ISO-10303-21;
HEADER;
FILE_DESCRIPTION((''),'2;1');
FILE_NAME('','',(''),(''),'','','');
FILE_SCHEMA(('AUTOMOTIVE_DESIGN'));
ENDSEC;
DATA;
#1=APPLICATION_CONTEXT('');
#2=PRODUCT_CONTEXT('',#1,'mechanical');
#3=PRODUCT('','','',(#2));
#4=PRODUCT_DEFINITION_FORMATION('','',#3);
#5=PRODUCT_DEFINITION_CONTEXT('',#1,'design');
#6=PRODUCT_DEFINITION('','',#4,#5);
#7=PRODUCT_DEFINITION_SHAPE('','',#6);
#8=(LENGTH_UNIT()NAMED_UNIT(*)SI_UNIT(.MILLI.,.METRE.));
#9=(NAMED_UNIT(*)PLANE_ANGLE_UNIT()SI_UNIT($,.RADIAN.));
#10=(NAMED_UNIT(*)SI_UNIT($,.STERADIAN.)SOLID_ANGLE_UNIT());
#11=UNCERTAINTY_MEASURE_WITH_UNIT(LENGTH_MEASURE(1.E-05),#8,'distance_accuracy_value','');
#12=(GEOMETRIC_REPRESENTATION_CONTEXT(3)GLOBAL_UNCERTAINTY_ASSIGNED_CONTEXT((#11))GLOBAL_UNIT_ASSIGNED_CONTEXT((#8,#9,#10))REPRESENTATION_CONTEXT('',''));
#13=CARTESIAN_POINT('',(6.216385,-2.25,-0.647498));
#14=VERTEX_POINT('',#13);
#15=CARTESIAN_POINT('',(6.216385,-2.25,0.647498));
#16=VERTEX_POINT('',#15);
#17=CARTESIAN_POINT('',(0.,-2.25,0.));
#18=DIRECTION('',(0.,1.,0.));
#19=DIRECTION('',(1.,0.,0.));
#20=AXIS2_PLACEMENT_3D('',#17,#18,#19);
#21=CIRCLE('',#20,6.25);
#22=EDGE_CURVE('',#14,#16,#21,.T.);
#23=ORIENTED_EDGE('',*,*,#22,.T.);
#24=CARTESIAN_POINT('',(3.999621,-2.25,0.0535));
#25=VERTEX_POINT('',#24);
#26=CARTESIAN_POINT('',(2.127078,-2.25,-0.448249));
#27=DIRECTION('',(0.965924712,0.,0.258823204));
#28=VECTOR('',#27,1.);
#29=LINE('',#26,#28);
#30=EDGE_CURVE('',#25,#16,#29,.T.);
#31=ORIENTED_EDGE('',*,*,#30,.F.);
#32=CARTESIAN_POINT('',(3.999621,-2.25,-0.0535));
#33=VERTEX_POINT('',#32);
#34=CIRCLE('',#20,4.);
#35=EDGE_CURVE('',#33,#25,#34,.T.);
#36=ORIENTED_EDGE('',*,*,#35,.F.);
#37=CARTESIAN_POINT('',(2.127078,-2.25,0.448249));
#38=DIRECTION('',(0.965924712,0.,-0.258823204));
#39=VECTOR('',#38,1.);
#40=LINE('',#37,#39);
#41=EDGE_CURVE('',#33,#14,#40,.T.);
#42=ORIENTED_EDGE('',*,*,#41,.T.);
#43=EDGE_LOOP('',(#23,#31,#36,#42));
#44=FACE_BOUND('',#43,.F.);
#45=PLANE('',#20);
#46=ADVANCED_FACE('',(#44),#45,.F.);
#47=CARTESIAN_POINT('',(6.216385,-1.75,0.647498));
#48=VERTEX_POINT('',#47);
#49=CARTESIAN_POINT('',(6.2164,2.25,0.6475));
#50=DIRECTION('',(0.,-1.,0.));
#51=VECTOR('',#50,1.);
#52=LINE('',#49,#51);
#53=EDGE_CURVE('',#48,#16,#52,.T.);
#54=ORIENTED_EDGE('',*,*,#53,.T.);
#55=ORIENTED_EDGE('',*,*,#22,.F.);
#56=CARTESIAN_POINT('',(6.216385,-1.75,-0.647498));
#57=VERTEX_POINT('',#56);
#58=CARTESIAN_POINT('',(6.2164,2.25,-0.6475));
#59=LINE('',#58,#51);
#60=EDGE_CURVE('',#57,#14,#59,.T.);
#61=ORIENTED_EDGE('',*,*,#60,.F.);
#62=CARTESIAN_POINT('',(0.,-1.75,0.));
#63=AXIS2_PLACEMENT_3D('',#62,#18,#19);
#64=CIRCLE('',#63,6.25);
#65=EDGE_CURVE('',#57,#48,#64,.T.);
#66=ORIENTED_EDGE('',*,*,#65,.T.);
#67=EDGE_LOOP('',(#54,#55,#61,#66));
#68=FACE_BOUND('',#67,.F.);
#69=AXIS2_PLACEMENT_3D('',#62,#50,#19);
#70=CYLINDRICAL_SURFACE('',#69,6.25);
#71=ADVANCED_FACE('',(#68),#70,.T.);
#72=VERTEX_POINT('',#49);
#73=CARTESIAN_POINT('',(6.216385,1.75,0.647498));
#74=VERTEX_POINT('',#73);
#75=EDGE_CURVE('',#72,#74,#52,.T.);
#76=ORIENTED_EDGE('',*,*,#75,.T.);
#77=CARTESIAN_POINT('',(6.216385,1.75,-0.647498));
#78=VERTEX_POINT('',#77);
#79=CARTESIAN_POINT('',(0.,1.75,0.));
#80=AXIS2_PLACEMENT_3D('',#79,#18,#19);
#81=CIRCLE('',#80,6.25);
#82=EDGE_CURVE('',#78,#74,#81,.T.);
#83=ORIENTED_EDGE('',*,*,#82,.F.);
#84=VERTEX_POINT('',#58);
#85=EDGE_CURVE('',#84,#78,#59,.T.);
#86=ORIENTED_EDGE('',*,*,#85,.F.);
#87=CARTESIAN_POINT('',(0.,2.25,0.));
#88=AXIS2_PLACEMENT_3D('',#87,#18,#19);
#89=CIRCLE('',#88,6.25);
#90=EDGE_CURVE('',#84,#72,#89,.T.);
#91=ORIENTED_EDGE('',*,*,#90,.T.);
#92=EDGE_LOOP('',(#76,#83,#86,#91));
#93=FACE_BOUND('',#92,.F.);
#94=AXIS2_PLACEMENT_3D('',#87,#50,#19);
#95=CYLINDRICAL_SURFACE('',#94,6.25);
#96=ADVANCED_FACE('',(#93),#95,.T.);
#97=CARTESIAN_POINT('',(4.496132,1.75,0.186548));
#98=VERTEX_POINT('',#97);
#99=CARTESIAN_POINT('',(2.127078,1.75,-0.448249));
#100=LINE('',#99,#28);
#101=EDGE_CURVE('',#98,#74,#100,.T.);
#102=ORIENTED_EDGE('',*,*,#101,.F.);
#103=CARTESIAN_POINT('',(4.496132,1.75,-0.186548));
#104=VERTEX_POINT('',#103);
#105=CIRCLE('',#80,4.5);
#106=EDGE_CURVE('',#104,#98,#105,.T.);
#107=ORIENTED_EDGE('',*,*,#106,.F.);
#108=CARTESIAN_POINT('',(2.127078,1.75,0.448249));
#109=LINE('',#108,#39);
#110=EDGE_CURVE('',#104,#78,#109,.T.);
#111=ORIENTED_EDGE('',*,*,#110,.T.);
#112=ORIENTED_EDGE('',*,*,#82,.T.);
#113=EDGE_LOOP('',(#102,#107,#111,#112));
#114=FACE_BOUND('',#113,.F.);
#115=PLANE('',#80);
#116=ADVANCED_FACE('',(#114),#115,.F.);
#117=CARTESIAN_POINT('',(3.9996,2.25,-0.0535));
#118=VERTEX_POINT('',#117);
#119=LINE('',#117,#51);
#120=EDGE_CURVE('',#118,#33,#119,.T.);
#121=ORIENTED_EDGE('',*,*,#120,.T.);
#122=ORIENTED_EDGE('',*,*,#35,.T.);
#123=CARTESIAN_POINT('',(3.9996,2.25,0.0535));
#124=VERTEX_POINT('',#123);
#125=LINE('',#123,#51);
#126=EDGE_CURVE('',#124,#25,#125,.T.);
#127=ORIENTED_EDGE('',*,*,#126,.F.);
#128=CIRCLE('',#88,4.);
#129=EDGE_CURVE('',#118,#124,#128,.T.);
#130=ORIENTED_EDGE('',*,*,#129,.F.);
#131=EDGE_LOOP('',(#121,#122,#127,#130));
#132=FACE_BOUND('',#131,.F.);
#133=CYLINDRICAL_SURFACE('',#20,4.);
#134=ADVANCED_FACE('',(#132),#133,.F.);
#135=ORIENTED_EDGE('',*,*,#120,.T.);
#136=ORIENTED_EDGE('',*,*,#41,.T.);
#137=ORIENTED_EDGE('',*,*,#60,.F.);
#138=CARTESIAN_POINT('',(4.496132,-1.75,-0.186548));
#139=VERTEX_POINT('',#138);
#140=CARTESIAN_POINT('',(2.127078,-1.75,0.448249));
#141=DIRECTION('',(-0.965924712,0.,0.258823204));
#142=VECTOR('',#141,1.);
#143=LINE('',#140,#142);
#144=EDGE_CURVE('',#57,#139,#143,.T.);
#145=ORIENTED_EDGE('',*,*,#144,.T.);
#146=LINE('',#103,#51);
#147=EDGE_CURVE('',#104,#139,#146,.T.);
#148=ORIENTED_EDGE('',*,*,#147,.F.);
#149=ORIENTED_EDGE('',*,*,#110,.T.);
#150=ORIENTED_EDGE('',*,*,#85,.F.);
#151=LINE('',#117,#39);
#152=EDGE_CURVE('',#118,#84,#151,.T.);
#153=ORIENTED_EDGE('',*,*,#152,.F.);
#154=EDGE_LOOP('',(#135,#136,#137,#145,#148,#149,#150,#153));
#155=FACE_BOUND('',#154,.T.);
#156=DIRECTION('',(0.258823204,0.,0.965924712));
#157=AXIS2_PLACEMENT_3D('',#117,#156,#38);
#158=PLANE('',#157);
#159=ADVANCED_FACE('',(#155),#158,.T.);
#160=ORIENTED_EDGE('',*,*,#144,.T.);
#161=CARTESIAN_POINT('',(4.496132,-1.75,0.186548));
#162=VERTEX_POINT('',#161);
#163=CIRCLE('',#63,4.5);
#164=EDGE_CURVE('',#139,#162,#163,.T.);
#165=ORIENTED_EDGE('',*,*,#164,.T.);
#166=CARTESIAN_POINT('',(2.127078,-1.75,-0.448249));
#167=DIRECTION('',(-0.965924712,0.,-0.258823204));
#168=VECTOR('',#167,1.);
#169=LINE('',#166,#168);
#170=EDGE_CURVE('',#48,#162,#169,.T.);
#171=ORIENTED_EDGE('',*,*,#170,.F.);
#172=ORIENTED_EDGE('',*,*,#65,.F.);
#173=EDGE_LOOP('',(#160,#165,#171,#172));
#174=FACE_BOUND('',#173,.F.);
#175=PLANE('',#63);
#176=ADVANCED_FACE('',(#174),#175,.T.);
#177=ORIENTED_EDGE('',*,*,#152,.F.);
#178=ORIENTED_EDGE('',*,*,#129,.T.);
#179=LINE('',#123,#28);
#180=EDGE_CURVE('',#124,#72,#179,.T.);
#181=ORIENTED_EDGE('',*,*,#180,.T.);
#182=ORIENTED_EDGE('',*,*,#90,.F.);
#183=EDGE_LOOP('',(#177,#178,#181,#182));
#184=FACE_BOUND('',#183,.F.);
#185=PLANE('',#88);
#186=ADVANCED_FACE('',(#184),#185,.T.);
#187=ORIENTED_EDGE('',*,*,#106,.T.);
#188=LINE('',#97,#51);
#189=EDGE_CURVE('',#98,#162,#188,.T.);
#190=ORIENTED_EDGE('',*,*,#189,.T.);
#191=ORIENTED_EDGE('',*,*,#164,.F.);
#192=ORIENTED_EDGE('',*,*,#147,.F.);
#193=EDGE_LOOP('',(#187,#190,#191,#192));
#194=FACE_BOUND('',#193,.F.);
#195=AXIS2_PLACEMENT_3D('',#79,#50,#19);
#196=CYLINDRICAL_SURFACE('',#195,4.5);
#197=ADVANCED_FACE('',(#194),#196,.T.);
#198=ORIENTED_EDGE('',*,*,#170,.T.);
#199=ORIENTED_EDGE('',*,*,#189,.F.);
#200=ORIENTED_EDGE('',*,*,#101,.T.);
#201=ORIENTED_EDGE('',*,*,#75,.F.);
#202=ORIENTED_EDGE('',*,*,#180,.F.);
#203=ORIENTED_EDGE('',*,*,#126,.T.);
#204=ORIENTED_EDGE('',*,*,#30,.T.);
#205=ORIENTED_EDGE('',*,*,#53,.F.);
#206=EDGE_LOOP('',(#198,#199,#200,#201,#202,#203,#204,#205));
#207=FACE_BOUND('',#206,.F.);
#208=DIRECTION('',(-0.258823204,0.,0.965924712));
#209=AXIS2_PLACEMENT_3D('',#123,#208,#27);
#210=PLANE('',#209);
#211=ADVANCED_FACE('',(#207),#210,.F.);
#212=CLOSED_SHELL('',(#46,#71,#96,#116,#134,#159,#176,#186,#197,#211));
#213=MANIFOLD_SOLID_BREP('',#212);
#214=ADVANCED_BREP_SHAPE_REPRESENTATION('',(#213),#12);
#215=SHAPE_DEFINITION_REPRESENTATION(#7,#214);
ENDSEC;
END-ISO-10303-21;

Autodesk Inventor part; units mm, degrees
ref_plane "YZ Plane" through (0, 0, 0) normal (1, 0, 0) x (0, 1, 0)
ref_plane "XZ Plane" through (0, 0, 0) normal (0, 1, 0) x (-1, 0, 0)
ref_plane "XY Plane" through (0, 0, 0) normal (0, 0, 1) x (1, 0, 0)
sketch "Sketch1" plane through (0, 0, 0) normal (0, 0, 1) x (1, 0, 0)
  line L0 (0, -3.15) -> (0, 3.15) projected
  line L1 (-1.25, 0) -> (7.5, 0) projected
  line L2 (4, -2.25) -> (4, 2.25)
  line L3 (4, 2.25) -> (6.25, 2.25)
  line L4 (6.25, 2.25) -> (6.25, 1.75)
  line L5 (6.25, 1.75) -> (4.5, 1.75)
  line L6 (4.5, 1.75) -> (4.5, -1.75)
  line L7 (4.5, -1.75) -> (6.25, -1.75)
  line L8 (6.25, -1.75) -> (6.25, -2.25)
  line L9 (6.25, -2.25) -> (4, -2.25)
  point P0 (0, 0)
  point P1 (4.5, 0)
  dimension "d0" = 8
  dimension "d1" = 9
  dimension "d2" = 12.5
  dimension "d3" = 0.5
  dimension "d4" = 3.5
  dimension "d5" = 0.5
revolve "Revolution1" add sketch "Sketch1" angle 360 about axis through (0, -10, 0) along (0, 1, 0)
sketch "Sketch2" plane through (0, 2.25, 0) normal (0, 1, 0) x (1, 0, 0)
  circle A0 centre (0, 0) radius 6.25 projected
  circle A1 centre (0, 0) radius 4 projected
  line L0 (-8.75, 0) -> (8.75, 0) projected
  line L1 (0, 8.75) -> (0, -8.75) projected
  line L2 (3.9996, -0.0535) -> (6.2164, -0.6475)
  line L3 (3.9996, 0.0535) -> (6.2164, 0.6475)
  arc A2 (3.9996, -0.0535) -> (3.9996, 0.0535) centre (0, 0) ccw
  arc A3 (6.2164, -0.6475) -> (6.2164, 0.6475) centre (0, 0) ccw
  dimension "d8" = 15
  dimension "d9" = 30
  dimension "d10" = 2.2167
  dimension "d11" = 2.2167
extrude "Extrusion1" cut sketch "Sketch2" against normal through all contours L0 A1 L3 A0 | A0 L2 A1 L0
properties part number "314-14" material "Nylon-6/6"
